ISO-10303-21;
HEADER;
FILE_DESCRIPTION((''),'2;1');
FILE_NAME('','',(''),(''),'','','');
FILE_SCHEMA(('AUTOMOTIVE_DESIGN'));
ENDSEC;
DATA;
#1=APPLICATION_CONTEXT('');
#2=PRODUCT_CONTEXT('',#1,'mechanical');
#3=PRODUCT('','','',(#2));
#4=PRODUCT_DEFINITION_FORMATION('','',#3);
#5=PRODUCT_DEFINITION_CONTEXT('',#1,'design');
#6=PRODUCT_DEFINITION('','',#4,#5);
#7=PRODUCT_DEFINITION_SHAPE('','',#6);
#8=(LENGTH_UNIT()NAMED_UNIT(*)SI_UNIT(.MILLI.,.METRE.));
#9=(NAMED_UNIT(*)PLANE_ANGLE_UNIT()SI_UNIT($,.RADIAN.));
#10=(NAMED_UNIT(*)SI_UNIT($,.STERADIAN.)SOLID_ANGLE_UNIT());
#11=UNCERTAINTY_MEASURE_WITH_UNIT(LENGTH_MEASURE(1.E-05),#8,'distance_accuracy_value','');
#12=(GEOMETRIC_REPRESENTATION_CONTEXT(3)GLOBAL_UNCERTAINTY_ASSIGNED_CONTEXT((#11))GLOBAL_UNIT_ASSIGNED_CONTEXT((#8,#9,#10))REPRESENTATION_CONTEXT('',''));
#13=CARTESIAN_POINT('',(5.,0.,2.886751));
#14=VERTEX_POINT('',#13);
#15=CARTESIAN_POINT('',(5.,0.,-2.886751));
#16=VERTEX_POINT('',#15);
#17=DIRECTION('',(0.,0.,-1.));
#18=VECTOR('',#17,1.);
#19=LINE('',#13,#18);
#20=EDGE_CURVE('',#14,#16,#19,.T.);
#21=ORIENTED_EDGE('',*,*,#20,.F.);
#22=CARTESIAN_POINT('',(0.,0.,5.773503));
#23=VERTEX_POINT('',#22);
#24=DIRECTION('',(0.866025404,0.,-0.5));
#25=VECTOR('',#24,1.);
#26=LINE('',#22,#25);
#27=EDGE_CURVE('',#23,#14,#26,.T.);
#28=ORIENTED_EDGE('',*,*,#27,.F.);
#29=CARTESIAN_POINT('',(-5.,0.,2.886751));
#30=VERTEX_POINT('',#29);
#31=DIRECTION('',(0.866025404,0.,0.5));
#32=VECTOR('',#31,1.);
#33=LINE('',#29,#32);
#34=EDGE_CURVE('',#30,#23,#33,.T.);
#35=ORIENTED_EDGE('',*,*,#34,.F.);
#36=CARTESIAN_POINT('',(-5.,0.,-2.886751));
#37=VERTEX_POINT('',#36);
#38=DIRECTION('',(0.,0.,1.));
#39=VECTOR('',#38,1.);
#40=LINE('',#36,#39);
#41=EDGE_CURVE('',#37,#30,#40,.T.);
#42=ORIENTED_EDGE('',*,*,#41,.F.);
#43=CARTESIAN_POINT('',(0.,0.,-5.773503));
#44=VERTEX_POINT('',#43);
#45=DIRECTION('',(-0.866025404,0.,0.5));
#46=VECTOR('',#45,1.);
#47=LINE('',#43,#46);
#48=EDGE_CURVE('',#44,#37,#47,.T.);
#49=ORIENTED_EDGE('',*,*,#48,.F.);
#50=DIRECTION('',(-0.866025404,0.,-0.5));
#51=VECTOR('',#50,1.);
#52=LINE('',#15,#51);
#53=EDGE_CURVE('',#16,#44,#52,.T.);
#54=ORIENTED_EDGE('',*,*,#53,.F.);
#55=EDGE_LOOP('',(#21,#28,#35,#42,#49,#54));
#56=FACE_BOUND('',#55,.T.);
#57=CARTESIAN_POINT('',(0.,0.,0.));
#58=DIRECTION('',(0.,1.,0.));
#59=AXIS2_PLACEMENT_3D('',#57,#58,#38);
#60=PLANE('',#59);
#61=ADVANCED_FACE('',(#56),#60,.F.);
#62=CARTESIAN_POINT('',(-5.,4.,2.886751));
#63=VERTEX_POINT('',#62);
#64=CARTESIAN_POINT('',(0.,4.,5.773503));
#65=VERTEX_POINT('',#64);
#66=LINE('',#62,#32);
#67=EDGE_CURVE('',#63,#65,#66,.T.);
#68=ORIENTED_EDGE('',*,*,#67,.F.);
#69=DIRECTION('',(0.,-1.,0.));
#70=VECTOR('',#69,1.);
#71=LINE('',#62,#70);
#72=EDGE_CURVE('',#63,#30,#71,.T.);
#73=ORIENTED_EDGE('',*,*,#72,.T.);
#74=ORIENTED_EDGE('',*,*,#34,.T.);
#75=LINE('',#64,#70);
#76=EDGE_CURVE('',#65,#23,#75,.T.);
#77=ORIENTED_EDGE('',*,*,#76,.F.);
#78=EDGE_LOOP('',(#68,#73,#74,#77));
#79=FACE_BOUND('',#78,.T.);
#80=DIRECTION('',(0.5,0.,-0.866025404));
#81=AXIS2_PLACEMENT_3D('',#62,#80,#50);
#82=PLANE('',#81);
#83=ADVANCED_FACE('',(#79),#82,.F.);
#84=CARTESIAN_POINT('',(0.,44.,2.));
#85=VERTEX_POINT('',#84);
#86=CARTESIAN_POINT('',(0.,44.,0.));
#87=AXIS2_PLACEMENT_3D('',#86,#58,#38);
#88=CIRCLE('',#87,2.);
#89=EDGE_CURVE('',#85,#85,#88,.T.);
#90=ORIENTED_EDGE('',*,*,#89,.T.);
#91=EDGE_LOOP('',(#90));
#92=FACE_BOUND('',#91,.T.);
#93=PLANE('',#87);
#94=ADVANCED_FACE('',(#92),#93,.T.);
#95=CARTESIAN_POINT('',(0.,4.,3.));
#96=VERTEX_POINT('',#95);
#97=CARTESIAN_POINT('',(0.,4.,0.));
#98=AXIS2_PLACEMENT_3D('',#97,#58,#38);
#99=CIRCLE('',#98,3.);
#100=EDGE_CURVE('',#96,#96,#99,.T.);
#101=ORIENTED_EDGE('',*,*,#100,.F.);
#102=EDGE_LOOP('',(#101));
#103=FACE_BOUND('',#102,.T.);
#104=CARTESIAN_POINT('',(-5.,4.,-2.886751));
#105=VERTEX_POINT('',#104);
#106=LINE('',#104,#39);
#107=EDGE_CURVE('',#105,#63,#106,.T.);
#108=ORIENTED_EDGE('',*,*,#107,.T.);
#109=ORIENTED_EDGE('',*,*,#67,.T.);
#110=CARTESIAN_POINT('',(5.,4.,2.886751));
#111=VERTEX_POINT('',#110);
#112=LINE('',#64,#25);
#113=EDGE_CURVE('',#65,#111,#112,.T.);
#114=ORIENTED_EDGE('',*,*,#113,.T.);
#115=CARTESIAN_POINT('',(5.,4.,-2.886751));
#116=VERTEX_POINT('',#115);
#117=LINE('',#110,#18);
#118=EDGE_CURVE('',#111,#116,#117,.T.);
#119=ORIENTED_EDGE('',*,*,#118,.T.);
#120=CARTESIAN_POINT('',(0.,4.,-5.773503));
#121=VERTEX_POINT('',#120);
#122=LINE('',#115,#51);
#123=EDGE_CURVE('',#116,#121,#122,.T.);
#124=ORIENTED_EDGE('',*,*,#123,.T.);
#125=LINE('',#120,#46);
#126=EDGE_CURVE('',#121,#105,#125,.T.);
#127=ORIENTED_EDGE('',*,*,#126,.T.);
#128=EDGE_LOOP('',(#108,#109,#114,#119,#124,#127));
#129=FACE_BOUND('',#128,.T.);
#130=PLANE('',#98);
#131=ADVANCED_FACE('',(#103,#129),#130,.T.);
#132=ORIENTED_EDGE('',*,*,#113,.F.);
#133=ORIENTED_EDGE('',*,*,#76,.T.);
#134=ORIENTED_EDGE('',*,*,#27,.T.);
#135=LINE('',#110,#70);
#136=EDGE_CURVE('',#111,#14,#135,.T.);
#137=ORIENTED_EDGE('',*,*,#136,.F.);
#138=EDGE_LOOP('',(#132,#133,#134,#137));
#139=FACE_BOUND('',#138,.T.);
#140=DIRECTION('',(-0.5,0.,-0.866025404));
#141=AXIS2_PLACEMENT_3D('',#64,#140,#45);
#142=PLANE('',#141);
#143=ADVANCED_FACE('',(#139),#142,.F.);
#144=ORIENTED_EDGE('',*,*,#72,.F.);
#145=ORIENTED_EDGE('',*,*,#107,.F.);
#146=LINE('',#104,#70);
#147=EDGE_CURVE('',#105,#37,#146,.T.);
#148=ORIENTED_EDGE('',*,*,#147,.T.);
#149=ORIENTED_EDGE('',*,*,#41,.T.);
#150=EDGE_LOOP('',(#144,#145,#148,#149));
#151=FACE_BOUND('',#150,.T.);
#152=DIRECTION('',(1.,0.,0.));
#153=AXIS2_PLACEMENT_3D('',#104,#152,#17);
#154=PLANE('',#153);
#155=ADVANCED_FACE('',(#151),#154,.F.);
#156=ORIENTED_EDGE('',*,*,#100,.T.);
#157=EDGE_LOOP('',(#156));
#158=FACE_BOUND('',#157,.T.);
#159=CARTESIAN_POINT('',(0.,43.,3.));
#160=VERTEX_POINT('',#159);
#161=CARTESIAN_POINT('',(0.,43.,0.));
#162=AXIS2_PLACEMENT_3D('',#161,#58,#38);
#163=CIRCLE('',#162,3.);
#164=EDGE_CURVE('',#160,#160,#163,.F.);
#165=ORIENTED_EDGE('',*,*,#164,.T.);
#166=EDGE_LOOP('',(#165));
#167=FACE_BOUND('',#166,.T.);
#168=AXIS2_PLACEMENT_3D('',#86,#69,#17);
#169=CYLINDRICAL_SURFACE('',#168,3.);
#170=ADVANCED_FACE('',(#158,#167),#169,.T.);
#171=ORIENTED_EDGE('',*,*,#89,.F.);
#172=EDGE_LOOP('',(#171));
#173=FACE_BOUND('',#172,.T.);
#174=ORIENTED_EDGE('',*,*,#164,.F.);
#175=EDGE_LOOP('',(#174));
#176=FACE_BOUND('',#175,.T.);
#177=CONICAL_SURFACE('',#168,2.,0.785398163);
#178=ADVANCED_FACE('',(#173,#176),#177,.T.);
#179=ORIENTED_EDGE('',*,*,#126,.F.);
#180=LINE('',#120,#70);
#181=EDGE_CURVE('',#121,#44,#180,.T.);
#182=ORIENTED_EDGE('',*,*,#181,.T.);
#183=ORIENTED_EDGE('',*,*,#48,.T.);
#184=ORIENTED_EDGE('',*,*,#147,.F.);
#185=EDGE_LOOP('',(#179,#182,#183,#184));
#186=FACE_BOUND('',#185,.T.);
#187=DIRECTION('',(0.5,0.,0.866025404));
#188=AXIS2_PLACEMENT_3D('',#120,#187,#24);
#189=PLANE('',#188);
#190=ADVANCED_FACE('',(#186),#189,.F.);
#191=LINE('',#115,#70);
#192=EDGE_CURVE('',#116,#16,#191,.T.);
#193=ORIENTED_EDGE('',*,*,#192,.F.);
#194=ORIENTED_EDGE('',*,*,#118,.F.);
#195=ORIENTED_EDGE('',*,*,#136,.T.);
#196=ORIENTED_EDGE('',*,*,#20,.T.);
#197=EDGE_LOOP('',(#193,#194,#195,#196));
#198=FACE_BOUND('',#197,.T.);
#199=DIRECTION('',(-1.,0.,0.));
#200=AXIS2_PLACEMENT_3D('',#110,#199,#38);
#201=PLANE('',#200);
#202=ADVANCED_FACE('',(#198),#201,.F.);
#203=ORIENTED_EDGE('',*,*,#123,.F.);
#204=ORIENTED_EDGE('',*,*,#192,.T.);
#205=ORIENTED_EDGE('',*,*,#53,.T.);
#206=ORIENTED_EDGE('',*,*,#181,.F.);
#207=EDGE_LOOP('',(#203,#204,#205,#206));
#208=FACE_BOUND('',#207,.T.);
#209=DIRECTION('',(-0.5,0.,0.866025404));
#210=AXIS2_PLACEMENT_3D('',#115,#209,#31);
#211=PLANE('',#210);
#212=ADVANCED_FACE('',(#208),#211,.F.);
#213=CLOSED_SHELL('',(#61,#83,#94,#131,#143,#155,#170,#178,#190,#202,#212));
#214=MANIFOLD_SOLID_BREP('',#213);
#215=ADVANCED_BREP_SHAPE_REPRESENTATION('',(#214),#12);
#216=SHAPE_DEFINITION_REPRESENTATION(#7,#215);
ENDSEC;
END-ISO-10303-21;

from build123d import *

# Parameters (mm, degrees)
BOSS_EXTRUDE1_DEPTH = 4
SKETCH2_R           = 3
BOSS_EXTRUDE2_DEPTH = 40
CHAMFER1_SIZE       = 1


with BuildPart() as part:
    # Sketch1 → Boss-Extrude1 (new body)
    with BuildSketch(Plane(origin=(0, 0, 0), x_dir=(1, 0, 0), z_dir=(0, 1, 0))):
        Polygon((0, 5.773502692), (-5, 2.886751346), (-5, -2.886751346), (0, -5.773502692), (5, -2.886751346), (5, 2.886751346), align=None)
    extrude(amount=BOSS_EXTRUDE1_DEPTH)

    # Sketch2 → Boss-Extrude2 (add)
    with BuildSketch(Plane(origin=(0, 4, 0), x_dir=(1, 0, 0), z_dir=(0, 1, 0))):
        with Locations(Location((0, 0, 0), (0, 0, 270))):
            Circle(SKETCH2_R)
    extrude(amount=BOSS_EXTRUDE2_DEPTH)

    # Chamfer1
    chamfer1_edges = [part.edges().sort_by_distance(p)[0] for p in [
        (0, 44, -3),
    ]]
    chamfer(chamfer1_edges, length=CHAMFER1_SIZE)


solid = part.part
